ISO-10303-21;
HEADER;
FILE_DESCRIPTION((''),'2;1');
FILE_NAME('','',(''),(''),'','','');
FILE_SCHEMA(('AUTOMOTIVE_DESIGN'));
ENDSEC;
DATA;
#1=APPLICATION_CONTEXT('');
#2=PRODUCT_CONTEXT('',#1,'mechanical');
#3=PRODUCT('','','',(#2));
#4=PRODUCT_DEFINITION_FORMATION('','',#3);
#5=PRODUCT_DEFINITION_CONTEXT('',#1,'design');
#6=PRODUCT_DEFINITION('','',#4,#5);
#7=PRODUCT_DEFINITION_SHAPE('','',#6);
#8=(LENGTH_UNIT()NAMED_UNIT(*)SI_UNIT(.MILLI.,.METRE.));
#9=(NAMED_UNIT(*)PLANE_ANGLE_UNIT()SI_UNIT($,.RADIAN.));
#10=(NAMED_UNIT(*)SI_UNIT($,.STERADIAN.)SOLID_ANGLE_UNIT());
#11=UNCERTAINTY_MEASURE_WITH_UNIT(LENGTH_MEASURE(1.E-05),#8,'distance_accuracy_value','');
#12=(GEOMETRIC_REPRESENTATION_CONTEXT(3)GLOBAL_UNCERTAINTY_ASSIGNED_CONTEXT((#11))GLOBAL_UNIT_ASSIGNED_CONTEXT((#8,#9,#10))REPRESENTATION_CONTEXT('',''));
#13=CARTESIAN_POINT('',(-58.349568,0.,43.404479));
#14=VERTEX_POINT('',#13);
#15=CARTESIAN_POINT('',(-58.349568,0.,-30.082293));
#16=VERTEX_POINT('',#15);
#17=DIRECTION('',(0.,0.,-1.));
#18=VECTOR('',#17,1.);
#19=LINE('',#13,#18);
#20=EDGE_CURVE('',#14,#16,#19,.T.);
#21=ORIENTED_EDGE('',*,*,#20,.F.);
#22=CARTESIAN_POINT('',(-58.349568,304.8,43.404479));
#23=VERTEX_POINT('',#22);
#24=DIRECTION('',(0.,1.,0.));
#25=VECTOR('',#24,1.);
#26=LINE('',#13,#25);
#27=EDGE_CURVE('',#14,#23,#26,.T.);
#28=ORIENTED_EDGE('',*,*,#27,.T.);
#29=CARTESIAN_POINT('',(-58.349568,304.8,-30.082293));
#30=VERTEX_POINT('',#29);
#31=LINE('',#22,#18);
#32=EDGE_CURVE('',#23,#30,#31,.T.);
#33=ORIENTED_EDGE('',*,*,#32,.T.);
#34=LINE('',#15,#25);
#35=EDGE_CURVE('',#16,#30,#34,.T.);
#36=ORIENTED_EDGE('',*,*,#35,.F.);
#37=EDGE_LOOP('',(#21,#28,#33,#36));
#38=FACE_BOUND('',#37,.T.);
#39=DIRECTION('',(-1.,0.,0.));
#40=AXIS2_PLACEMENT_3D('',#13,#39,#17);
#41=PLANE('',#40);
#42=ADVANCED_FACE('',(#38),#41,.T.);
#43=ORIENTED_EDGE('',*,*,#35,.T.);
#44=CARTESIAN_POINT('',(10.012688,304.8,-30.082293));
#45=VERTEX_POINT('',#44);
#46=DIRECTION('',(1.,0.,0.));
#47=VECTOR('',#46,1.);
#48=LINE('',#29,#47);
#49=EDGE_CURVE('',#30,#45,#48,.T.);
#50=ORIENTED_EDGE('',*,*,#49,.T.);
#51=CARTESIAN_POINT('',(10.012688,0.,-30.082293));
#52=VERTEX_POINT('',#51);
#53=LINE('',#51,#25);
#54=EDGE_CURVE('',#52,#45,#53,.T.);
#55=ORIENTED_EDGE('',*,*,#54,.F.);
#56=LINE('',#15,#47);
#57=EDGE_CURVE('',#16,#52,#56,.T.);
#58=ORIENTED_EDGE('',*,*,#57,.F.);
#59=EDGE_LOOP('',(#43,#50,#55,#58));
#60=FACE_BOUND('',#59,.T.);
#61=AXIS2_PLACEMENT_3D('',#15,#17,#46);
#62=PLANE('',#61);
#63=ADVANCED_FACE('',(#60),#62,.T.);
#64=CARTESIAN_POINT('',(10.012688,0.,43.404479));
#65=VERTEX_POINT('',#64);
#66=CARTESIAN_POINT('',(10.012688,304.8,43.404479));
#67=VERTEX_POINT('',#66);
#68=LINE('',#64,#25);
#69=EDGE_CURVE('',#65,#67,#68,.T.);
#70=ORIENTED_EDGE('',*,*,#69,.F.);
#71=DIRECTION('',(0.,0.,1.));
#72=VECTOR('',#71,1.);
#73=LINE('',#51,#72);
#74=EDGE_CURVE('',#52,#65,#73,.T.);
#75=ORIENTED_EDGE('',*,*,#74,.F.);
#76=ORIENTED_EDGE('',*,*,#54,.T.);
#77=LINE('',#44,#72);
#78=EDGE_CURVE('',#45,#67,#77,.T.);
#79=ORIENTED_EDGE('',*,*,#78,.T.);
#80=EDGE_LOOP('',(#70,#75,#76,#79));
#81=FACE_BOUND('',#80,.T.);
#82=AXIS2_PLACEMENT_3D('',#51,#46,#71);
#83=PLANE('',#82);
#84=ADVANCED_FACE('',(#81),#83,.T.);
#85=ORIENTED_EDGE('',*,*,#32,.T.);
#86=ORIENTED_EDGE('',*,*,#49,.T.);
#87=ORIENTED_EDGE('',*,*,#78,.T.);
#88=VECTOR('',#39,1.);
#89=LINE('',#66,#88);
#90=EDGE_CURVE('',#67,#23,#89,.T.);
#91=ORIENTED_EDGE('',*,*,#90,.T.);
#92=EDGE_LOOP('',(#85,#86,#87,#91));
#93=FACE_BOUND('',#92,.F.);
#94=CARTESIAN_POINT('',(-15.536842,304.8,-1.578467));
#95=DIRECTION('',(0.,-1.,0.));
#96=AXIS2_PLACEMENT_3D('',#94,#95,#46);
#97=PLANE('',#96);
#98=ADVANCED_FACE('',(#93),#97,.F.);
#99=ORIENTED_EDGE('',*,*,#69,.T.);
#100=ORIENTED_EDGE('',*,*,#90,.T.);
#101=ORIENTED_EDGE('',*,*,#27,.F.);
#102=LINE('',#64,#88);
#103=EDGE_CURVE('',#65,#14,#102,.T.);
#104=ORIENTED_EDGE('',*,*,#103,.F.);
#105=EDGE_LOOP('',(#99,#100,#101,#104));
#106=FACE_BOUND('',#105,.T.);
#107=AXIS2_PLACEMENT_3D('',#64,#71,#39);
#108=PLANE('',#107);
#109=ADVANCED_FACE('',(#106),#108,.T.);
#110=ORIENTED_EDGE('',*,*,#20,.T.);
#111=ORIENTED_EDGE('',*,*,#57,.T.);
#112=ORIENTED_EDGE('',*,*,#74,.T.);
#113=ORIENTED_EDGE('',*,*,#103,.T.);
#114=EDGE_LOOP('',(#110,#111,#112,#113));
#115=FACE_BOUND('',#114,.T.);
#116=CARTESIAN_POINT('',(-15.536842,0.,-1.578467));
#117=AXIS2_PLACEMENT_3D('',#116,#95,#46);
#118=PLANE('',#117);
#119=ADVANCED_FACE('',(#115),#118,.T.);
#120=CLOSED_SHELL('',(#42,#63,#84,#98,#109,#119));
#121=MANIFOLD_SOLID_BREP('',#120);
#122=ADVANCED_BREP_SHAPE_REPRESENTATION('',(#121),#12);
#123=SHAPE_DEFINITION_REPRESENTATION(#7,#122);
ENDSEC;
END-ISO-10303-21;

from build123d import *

# Parameters (mm, degrees)
F0_W     = 51.09906
F0_H     = 57.007652
F1_DEPTH = 304.8
F2_W     = 23.356358
F2_H     = 31.656551
F3_DEPTH = 152.4


with BuildPart() as f1:
    # F0 (on Front) → F1 (new body)
    with BuildSketch(Plane.XZ):
        with Locations((-15.536842, -1.578467)):
            Rectangle(F0_W, F0_H)
        Polygon((10.012688, 43.404479), (-58.349568, 43.404479), (-58.349568, -30.082293), (-41.086372, -30.082293), (-41.086372, 26.925359), (10.012688, 26.925359), align=None)
    extrude(amount=-F1_DEPTH)

    # F2 (on face) → F3 (join)
    with BuildSketch(Plane(origin=(0, 304.8, 0), x_dir=(-1, 0, 0), z_dir=(0, 1, 0))):
        with Locations((32.718203, 0.48257)):
            Rectangle(F2_W, F2_H)
    extrude(amount=-F3_DEPTH)


solid = f1.part
